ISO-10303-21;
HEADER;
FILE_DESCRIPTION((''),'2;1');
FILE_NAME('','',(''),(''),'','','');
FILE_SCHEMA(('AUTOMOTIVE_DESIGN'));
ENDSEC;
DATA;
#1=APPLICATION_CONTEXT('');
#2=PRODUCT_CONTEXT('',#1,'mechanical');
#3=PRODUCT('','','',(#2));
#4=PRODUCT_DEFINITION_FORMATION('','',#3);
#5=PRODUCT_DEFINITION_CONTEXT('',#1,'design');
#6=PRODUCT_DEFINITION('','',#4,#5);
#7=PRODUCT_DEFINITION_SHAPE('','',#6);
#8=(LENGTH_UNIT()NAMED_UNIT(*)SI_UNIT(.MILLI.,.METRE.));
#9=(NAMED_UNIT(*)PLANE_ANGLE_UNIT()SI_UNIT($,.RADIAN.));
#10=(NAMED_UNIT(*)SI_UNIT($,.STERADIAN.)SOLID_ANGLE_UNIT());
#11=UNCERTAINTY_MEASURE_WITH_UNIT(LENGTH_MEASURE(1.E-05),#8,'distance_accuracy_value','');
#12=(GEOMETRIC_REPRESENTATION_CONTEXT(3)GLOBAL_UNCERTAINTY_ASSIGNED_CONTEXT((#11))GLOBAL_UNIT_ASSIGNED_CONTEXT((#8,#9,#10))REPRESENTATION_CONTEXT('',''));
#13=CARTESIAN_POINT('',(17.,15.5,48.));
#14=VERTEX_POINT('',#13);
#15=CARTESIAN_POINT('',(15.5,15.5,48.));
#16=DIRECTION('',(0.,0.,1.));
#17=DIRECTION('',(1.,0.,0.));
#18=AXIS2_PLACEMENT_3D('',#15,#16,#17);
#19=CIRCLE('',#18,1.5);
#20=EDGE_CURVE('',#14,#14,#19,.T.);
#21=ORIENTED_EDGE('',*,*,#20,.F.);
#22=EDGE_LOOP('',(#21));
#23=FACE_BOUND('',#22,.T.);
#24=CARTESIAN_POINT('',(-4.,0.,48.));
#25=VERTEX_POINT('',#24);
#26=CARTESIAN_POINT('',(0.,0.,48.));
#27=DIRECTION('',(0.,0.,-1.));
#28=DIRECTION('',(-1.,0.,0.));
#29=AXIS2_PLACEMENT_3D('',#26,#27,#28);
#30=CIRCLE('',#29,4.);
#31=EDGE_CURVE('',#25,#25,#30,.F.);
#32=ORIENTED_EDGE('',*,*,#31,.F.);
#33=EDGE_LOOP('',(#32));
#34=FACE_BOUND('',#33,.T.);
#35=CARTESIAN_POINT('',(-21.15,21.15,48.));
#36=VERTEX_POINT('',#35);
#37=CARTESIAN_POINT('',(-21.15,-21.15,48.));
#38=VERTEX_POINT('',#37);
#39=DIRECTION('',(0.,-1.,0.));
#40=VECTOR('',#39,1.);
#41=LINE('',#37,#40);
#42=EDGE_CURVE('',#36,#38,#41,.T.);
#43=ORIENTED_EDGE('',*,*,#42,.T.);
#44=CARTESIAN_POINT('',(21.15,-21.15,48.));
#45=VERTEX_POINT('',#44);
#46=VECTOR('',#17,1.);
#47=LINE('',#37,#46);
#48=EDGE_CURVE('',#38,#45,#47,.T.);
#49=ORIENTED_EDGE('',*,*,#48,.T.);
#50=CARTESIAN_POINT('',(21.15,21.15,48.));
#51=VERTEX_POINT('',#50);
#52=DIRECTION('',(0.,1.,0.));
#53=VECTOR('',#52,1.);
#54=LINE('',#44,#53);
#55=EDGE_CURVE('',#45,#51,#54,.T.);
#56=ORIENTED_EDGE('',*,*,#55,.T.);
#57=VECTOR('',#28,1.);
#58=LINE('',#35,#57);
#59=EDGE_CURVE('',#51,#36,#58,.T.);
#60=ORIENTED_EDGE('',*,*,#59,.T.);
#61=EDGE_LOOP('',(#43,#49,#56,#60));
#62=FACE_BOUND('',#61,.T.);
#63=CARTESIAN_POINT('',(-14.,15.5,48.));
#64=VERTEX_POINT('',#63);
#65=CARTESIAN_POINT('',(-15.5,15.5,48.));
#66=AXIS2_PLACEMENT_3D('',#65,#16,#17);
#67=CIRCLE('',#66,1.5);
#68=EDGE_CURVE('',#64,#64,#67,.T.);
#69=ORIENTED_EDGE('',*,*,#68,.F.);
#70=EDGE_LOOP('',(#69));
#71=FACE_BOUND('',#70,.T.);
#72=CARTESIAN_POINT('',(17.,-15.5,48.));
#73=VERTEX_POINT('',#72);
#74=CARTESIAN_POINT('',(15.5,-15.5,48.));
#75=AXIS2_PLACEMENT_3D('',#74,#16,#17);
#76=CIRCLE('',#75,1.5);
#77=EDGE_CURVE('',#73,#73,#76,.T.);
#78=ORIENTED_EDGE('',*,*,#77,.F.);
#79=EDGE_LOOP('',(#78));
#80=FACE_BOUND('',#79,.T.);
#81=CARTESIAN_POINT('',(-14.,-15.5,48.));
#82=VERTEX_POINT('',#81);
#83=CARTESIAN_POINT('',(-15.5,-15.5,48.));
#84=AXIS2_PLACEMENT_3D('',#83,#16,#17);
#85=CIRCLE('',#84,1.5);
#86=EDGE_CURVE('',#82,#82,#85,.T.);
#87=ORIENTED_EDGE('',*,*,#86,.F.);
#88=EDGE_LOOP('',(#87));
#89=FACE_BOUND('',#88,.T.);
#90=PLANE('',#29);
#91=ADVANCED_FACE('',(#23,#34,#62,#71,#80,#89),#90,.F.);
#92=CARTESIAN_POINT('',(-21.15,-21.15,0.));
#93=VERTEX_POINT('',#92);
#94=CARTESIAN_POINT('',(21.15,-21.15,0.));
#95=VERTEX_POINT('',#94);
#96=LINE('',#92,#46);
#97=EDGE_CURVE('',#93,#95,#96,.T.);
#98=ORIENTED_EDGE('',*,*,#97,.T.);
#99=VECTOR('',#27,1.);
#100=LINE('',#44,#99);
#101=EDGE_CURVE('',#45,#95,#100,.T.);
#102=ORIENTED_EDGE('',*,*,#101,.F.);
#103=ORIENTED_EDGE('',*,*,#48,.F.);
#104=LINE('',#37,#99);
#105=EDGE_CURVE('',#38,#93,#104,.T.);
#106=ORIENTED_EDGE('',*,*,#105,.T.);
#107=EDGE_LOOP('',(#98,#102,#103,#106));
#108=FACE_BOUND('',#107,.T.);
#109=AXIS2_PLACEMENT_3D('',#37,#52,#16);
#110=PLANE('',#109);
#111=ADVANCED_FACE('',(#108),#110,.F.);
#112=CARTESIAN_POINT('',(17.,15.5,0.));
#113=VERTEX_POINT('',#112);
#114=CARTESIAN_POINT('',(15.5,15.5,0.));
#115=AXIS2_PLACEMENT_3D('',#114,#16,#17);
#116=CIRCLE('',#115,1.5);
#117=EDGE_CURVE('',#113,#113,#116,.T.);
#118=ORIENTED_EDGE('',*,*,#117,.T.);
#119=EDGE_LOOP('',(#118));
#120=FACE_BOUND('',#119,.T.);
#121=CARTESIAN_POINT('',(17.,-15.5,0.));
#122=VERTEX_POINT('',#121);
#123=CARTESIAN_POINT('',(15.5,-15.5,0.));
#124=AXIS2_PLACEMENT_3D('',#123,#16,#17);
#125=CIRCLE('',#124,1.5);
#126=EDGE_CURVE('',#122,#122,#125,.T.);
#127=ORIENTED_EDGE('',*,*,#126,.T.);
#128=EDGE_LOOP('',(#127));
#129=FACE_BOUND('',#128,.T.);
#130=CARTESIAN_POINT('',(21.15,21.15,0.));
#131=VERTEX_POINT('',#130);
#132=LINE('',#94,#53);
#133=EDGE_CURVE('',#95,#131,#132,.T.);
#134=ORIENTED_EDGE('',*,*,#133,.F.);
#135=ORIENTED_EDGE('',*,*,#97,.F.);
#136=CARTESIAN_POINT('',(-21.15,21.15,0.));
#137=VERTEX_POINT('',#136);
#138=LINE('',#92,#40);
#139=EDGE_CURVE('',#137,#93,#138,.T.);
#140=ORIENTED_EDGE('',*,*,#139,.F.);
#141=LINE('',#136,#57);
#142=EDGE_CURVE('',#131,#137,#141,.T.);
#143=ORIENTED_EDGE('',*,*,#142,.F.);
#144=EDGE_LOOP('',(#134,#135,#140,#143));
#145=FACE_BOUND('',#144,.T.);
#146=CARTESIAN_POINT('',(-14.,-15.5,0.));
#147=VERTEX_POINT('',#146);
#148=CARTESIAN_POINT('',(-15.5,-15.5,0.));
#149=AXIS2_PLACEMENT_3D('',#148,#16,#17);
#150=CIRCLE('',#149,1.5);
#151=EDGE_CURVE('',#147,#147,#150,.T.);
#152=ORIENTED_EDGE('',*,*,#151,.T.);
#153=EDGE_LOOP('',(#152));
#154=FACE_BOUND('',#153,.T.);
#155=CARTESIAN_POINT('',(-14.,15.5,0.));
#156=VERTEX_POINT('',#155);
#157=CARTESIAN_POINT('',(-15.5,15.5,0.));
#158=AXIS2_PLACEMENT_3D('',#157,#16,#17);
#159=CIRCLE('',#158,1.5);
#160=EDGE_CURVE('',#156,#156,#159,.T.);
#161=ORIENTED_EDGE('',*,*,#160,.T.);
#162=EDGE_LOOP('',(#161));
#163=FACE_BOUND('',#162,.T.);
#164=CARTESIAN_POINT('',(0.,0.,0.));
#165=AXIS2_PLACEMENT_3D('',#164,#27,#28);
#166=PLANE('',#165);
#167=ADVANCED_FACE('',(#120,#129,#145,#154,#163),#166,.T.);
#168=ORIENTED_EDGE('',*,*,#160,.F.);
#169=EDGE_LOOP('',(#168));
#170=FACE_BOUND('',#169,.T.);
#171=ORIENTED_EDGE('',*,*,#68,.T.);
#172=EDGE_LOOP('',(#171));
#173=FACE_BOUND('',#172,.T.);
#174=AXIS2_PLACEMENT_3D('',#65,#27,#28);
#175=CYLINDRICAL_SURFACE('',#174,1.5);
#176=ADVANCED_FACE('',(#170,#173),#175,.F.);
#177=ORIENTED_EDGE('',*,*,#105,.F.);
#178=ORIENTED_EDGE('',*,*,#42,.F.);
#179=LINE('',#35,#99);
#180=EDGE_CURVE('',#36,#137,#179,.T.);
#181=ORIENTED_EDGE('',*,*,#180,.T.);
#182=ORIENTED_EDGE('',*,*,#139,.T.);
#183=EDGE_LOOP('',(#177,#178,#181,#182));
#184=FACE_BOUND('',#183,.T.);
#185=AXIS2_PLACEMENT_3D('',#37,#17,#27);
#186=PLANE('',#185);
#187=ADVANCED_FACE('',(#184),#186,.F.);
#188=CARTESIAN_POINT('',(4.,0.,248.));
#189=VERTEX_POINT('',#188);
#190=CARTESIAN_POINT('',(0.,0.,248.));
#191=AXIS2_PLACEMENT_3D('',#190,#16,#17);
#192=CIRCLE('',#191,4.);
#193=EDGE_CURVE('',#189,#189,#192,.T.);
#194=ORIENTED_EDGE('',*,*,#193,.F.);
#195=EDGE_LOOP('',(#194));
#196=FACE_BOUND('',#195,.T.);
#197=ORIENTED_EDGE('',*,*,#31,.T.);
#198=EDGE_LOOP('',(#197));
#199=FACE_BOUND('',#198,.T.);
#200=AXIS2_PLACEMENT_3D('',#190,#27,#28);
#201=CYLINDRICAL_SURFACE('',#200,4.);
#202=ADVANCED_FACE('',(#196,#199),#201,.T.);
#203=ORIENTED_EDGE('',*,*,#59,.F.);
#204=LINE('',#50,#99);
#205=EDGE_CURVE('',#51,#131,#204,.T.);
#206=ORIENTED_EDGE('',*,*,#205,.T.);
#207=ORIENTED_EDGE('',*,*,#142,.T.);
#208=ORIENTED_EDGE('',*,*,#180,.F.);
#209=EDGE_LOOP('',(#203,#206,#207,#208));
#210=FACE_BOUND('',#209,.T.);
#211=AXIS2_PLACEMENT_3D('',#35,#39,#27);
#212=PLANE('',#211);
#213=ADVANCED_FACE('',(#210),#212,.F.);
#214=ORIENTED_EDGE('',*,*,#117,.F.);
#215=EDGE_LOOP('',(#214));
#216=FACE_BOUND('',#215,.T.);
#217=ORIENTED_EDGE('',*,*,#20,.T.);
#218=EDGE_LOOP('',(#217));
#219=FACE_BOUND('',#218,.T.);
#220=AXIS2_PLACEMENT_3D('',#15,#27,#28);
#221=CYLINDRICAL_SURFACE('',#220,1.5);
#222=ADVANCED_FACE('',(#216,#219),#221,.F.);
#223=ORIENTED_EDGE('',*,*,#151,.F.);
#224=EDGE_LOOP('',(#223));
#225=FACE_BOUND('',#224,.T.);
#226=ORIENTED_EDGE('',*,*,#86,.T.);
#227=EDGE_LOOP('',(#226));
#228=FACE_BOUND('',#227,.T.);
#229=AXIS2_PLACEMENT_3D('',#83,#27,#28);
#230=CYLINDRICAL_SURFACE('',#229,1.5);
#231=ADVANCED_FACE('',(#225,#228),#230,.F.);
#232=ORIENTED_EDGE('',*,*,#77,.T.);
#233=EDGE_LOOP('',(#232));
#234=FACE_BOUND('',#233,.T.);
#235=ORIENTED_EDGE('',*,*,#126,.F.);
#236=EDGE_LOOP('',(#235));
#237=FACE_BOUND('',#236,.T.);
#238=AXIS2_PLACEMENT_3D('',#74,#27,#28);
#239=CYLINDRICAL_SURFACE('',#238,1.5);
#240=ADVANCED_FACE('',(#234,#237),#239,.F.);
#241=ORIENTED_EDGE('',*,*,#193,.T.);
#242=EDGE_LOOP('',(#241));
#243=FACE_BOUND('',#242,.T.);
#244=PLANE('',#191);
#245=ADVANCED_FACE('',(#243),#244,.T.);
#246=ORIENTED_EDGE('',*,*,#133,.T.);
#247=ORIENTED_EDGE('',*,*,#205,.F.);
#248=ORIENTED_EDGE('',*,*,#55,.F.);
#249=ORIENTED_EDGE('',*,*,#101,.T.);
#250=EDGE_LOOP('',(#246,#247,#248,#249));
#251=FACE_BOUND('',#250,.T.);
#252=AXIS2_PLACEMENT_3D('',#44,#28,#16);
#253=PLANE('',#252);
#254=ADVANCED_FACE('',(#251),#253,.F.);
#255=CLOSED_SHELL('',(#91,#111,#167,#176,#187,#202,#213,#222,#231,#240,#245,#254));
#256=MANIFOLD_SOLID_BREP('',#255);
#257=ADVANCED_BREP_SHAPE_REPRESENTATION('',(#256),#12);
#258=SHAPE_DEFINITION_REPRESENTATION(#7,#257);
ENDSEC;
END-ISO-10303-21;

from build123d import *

# Parameters (mm, degrees)
SKETCH1_W           = 42.3
SKETCH1_H           = 42.3
SKETCH1_R           = 1.5
BOSS_EXTRUDE1_DEPTH = 48
SKETCH2_R           = 4
BOSS_EXTRUDE2_DEPTH = 200


with BuildPart() as part:
    # Sketch1 → Boss-Extrude1 (new body)
    with BuildSketch(Plane.XY):
        Rectangle(SKETCH1_W, SKETCH1_H)
        with Locations((15.5, 15.5)):
            Circle(SKETCH1_R, mode=Mode.SUBTRACT)
        with Locations((-15.5, 15.5)):
            Circle(SKETCH1_R, mode=Mode.SUBTRACT)
        with Locations((-15.5, -15.5)):
            Circle(SKETCH1_R, mode=Mode.SUBTRACT)
        with Locations((15.5, -15.5)):
            Circle(SKETCH1_R, mode=Mode.SUBTRACT)
    extrude(amount=BOSS_EXTRUDE1_DEPTH)

    # Sketch2 → Boss-Extrude2 (add)
    with BuildSketch(Plane.XY.offset(48)):
        with Locations(Location((0, 0, 0), (0, 0, 180))):
            Circle(SKETCH2_R)
    extrude(amount=BOSS_EXTRUDE2_DEPTH)


solid = part.part
